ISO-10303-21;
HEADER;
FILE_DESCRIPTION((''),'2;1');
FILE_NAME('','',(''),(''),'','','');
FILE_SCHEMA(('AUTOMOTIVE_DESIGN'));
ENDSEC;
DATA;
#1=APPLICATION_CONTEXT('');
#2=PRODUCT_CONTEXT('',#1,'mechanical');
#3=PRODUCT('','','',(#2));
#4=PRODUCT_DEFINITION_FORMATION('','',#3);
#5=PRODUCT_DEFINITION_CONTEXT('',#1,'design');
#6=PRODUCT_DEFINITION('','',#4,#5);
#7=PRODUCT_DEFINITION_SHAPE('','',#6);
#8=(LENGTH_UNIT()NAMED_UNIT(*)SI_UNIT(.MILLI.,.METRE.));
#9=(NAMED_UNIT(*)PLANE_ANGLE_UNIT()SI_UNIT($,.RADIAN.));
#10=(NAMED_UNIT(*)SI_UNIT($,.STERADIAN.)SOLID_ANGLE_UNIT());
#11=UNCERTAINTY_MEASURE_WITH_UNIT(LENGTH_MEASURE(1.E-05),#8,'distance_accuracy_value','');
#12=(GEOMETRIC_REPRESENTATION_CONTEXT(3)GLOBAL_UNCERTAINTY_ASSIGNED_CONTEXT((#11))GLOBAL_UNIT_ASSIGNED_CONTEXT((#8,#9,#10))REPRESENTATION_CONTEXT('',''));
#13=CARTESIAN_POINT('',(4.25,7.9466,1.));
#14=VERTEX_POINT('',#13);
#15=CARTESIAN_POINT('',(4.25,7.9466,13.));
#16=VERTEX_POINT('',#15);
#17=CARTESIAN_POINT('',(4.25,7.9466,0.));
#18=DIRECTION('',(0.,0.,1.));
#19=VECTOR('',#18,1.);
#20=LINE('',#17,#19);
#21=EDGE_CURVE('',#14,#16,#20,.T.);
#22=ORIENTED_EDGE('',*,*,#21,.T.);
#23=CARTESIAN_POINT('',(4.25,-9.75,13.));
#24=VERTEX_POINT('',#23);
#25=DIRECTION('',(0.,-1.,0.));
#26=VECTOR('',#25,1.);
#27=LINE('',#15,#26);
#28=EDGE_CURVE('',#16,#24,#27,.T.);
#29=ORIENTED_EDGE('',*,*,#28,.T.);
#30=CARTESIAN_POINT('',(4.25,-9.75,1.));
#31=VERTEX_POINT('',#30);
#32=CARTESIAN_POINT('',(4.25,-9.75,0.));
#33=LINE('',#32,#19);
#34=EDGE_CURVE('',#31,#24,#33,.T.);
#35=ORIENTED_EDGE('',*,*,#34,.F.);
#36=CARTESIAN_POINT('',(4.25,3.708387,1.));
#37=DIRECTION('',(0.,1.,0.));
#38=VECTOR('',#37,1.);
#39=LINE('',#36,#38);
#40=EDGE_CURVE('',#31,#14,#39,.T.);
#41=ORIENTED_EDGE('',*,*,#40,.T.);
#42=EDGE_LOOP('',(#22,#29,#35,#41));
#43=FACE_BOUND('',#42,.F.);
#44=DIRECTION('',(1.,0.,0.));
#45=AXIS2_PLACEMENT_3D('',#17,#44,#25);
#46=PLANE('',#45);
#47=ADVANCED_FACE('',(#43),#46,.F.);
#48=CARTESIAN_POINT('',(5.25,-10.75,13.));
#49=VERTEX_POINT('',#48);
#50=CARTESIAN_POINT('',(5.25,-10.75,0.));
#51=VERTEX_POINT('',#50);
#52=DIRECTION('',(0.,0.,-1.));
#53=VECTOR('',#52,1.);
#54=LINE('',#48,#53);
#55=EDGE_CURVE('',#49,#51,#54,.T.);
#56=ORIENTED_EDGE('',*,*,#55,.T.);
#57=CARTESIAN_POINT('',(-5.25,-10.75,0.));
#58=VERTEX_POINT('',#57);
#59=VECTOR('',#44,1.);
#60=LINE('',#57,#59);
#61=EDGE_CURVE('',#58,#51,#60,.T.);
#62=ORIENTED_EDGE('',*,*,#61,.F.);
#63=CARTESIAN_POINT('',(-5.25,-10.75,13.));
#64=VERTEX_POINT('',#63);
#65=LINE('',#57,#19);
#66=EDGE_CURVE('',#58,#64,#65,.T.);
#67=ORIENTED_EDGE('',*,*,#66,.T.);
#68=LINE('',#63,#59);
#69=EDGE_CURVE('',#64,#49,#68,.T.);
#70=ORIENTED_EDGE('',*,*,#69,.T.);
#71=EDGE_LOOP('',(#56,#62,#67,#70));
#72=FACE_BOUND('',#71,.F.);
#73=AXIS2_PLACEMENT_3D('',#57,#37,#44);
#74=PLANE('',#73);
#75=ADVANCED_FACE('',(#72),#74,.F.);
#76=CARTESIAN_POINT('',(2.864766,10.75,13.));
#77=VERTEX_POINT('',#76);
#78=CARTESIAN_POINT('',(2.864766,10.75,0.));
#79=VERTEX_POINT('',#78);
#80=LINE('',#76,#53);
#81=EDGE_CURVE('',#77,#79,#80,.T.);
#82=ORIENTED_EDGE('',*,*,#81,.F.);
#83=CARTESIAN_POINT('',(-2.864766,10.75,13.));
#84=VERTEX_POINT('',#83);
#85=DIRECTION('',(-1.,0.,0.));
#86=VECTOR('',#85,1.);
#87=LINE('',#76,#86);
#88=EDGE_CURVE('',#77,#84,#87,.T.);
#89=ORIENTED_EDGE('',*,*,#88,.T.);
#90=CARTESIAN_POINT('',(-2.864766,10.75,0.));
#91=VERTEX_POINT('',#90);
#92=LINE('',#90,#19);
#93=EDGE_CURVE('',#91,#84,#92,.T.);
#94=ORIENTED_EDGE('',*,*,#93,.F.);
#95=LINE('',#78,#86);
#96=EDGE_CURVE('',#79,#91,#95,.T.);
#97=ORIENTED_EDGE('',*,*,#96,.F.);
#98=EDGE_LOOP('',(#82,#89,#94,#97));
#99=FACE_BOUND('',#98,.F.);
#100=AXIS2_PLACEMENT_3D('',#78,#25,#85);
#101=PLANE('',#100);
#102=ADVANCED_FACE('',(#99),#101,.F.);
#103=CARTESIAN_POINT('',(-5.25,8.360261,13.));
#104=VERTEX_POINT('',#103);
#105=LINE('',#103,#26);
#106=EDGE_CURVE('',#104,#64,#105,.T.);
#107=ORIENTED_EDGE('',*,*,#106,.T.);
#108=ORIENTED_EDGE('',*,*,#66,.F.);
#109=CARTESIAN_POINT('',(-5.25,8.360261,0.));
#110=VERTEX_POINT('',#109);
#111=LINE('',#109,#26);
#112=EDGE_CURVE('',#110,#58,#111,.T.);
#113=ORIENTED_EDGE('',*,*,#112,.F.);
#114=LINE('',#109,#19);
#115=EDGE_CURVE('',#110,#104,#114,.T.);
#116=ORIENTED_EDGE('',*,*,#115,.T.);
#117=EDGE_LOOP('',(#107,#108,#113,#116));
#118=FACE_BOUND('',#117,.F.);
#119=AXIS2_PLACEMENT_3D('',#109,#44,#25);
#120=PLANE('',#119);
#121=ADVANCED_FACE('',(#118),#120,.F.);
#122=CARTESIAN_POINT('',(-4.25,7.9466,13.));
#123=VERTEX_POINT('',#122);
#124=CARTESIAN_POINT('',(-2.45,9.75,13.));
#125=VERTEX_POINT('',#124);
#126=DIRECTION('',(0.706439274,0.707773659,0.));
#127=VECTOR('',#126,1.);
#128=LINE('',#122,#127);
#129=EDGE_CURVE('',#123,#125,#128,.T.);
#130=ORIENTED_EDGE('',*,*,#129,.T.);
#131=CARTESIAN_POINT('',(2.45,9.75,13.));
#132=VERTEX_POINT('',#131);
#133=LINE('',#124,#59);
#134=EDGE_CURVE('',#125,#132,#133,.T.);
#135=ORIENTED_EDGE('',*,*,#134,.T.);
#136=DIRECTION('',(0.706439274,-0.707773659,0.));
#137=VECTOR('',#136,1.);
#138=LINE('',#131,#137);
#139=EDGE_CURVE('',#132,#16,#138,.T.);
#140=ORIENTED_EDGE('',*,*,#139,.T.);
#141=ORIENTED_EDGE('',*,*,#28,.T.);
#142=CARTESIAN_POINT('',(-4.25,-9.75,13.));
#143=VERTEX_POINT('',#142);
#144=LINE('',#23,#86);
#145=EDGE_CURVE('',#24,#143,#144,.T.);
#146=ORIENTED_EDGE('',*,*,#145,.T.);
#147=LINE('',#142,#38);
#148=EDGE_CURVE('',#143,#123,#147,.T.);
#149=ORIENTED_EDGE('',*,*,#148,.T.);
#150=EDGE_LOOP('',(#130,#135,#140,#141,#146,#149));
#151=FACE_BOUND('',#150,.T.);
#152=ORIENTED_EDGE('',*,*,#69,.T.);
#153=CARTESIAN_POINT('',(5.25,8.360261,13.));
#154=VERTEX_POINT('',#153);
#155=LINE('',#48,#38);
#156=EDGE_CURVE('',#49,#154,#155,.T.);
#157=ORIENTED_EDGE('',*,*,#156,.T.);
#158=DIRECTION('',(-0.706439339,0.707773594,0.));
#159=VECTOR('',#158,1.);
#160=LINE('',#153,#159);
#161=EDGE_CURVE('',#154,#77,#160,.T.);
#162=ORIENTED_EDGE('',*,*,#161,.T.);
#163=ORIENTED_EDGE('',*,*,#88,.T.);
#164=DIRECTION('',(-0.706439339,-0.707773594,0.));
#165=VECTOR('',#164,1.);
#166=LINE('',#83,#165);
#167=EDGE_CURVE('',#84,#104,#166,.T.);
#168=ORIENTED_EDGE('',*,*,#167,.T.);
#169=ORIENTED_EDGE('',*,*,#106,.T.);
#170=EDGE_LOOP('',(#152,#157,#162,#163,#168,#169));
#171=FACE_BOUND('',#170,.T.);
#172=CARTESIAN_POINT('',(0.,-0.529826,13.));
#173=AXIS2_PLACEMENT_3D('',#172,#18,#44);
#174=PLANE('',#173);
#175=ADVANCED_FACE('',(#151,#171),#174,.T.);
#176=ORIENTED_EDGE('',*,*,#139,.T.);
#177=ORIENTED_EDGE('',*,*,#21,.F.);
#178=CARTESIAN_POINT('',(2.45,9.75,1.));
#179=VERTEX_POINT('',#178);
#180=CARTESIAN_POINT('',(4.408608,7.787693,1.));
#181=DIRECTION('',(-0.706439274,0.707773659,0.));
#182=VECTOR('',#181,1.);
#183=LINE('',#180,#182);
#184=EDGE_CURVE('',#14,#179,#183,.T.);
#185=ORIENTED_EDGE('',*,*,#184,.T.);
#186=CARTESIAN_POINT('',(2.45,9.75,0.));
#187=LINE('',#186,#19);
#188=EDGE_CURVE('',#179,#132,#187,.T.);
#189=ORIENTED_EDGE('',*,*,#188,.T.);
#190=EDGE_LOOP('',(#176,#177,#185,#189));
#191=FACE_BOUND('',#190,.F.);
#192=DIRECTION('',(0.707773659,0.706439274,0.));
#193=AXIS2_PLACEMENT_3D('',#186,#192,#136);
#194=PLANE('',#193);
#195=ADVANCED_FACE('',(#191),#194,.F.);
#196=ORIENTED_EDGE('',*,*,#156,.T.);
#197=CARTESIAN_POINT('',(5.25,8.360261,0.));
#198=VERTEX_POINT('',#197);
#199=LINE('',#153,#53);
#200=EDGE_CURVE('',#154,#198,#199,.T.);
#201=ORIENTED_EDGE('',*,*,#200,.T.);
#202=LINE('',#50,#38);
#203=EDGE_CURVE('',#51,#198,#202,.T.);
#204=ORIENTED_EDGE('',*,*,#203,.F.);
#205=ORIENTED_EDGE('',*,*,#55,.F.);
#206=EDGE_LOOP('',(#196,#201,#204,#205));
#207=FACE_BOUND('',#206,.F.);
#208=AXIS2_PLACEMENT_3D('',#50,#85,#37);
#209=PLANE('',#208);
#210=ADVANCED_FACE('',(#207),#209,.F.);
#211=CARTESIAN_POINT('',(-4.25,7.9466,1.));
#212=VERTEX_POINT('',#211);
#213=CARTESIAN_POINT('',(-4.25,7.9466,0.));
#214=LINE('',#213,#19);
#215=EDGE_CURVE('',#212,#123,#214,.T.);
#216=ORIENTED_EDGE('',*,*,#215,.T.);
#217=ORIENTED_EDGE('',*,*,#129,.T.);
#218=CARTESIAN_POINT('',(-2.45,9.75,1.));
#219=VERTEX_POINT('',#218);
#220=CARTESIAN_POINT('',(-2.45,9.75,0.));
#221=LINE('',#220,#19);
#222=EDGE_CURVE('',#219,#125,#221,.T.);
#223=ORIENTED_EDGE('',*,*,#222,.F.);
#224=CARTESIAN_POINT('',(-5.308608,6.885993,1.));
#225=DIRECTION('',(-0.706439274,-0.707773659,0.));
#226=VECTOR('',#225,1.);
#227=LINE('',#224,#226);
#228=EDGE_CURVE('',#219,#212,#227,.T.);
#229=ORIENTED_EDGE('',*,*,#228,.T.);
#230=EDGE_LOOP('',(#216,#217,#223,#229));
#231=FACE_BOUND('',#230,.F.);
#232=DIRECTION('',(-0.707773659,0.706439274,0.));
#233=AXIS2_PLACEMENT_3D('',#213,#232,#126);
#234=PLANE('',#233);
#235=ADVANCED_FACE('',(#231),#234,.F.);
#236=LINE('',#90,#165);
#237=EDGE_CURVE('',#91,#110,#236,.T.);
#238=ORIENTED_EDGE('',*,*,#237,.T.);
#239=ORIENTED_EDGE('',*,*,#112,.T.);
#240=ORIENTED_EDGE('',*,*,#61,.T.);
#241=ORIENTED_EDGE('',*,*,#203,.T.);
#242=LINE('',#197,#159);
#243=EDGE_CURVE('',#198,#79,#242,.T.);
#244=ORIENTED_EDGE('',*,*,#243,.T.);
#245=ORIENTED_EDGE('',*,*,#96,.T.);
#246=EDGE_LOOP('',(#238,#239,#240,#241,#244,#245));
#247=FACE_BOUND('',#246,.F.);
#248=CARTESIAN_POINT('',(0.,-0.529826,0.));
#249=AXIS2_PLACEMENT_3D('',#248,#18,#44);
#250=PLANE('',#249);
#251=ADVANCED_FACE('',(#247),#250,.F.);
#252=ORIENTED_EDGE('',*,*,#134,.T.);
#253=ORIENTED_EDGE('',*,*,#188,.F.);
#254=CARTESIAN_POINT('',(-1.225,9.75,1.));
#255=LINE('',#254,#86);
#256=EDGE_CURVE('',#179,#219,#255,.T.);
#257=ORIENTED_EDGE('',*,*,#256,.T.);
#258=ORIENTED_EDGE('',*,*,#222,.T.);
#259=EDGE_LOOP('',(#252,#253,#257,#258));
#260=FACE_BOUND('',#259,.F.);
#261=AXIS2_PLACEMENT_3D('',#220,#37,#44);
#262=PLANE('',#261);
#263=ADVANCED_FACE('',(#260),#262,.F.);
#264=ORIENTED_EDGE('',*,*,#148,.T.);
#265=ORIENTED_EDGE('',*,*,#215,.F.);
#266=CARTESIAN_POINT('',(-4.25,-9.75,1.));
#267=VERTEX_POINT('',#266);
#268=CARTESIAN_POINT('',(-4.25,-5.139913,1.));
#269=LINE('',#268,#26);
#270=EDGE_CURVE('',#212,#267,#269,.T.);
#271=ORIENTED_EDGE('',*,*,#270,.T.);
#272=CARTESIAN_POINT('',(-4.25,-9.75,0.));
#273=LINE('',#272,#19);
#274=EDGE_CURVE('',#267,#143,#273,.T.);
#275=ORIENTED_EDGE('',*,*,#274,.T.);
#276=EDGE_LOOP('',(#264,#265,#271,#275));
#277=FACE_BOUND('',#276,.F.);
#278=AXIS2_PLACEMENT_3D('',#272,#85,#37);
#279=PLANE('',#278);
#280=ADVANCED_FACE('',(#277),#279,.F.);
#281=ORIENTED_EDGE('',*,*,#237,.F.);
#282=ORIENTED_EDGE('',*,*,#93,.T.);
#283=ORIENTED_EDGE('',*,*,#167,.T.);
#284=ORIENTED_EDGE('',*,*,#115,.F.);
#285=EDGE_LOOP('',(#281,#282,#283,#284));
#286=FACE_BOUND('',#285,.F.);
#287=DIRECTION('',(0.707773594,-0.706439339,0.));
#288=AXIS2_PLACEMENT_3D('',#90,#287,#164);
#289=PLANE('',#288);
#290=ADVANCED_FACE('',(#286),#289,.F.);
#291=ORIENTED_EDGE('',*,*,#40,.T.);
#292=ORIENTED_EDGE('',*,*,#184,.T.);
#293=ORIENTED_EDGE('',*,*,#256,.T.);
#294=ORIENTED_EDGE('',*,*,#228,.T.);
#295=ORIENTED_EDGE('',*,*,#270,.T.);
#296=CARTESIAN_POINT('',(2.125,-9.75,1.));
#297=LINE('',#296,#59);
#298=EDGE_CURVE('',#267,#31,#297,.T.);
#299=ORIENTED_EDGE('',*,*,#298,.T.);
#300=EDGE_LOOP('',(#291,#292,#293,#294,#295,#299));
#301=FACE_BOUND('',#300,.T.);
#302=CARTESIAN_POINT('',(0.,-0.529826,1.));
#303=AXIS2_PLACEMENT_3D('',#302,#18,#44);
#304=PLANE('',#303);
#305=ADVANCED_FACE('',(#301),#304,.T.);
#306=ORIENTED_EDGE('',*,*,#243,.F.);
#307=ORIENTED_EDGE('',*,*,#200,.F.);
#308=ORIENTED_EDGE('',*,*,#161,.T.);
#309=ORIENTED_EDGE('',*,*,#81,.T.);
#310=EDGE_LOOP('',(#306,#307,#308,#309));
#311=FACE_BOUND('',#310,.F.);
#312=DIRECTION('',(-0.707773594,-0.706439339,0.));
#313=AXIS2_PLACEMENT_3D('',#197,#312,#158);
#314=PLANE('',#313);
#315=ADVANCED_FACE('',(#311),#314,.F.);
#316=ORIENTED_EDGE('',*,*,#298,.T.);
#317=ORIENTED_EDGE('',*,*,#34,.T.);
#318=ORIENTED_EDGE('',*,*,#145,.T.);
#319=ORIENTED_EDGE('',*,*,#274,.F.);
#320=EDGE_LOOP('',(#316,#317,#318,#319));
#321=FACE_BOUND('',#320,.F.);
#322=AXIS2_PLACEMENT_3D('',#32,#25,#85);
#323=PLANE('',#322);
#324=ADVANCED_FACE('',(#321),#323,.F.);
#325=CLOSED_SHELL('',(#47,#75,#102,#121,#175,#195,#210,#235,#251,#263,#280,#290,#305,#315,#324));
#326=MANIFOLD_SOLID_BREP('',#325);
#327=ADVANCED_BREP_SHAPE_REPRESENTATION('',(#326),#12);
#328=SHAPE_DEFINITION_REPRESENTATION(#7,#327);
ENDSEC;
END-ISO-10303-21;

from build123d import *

# Parameters (mm, degrees)
F1_DEPTH = 1
F2_DEPTH = 13


with BuildPart() as f1:
    # F0 (on Top) → F1 (new body)
    with BuildSketch(Plane.XY):
        Polygon((2.864766, 10.75), (-2.864766, 10.75), (-5.25, 8.360261), (-5.25, -10.75), (5.25, -10.75), (5.25, 8.360261), align=None)
        Polygon((-4.25, 7.9466), (-2.45, 9.75), (2.45, 9.75), (4.25, 7.9466), (4.25, -9.75), (-4.25, -9.75), align=None, mode=Mode.SUBTRACT)
        Polygon((2.45, 9.75), (-2.45, 9.75), (-4.25, 7.9466), (-4.25, -9.75), (4.25, -9.75), (4.25, 7.9466), align=None)
    extrude(amount=F1_DEPTH)

    # F0 (on Top) → F2 (join)
    with BuildSketch(Plane.XY):
        Polygon((2.864766, 10.75), (-2.864766, 10.75), (-5.25, 8.360261), (-5.25, -10.75), (5.25, -10.75), (5.25, 8.360261), align=None)
        Polygon((-4.25, 7.9466), (-2.45, 9.75), (2.45, 9.75), (4.25, 7.9466), (4.25, -9.75), (-4.25, -9.75), align=None, mode=Mode.SUBTRACT)
    extrude(amount=F2_DEPTH)


solid = f1.part
